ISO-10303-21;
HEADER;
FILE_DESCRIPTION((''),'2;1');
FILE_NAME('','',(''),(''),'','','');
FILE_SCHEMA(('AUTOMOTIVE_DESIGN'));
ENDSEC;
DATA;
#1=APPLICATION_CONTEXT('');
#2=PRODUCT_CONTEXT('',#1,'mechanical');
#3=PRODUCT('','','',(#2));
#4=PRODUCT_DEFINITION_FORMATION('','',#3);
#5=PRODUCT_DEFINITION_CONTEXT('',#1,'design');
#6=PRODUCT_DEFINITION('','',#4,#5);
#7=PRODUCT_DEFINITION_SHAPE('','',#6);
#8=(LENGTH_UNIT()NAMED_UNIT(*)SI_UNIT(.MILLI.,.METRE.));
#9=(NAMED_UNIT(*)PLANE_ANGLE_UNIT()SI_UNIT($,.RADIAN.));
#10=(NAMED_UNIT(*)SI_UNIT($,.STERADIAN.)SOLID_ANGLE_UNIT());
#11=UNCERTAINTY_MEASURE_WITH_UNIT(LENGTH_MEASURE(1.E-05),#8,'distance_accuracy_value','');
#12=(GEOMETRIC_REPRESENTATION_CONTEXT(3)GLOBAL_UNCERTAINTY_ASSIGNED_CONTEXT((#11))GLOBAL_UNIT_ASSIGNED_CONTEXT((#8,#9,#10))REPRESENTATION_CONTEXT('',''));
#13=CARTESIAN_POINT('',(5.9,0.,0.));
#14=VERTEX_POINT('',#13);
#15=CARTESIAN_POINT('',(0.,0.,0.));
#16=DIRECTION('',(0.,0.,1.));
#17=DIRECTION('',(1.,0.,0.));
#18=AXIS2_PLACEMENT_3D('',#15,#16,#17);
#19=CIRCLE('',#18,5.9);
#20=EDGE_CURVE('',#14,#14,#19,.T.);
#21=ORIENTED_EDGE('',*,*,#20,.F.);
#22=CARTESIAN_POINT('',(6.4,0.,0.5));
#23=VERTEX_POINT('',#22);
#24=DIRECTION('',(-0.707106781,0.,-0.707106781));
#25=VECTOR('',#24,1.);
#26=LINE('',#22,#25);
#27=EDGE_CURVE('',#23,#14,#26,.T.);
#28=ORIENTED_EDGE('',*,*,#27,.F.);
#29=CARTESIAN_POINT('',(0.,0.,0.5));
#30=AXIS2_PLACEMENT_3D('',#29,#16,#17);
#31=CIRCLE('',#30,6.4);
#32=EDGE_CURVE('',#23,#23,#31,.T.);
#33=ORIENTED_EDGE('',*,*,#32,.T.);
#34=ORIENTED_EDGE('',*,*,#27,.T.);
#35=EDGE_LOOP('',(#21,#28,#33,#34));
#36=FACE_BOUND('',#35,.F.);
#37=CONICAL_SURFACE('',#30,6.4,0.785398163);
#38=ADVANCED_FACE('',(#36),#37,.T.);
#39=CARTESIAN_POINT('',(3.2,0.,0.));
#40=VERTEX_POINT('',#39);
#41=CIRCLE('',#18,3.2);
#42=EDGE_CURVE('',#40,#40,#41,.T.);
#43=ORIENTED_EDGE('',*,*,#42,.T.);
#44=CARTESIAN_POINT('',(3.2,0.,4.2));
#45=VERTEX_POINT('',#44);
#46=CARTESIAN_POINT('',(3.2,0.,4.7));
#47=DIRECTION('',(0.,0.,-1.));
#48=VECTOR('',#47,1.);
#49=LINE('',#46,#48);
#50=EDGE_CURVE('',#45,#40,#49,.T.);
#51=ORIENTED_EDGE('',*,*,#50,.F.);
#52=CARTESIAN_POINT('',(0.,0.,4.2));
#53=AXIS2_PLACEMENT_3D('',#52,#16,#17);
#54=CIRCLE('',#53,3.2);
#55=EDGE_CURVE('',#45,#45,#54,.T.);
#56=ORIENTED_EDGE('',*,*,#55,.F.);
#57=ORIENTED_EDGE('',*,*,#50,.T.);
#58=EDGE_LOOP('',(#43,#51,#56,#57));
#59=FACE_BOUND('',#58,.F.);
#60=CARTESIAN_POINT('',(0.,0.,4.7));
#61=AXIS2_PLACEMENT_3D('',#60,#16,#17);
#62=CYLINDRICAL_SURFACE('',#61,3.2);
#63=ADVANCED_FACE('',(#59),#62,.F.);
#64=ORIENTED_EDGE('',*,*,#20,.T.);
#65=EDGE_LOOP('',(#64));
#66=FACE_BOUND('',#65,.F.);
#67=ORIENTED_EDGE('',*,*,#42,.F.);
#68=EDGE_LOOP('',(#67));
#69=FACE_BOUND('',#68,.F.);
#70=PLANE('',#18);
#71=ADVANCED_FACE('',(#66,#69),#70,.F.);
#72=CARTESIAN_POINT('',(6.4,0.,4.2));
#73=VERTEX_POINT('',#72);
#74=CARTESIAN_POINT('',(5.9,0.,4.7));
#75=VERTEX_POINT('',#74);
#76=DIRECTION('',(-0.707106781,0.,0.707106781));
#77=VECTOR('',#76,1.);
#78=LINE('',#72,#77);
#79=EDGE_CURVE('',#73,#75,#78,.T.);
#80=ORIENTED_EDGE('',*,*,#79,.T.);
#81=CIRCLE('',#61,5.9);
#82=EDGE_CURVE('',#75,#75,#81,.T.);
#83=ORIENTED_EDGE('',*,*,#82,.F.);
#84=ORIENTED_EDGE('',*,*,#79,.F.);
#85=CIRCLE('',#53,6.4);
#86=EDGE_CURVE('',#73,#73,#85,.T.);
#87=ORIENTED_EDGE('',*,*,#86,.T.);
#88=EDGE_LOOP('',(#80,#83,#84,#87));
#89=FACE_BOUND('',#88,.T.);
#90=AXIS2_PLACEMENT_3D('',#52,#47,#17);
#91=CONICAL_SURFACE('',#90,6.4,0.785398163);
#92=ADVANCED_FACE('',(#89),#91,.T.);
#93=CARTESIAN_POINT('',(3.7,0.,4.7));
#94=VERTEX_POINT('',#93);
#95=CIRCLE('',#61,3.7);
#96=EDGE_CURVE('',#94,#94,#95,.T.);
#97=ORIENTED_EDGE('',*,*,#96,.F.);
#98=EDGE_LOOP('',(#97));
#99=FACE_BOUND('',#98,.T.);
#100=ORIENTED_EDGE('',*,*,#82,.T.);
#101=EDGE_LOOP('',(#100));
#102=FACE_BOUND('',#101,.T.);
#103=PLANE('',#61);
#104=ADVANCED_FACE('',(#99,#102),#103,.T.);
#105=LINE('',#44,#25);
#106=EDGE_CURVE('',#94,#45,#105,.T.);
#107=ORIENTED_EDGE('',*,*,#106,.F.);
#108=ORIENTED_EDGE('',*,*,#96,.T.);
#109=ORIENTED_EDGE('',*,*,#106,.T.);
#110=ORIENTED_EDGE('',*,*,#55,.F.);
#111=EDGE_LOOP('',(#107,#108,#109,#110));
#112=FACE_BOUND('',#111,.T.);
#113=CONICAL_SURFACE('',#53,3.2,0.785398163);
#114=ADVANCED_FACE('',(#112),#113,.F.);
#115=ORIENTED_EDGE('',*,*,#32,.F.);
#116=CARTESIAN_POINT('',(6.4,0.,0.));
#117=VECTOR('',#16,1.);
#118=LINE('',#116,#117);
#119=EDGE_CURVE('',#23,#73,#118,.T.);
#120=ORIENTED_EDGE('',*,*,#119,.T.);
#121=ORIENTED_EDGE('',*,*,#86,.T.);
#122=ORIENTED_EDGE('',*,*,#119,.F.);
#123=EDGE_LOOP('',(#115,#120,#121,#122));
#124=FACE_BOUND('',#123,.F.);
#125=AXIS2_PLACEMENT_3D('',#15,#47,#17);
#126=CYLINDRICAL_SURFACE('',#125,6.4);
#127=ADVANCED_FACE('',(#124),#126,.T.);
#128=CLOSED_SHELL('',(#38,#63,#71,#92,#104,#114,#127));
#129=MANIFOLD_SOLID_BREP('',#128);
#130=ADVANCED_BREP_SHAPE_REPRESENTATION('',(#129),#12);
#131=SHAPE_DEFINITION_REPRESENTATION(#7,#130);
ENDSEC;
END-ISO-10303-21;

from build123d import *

# Parameters (mm, degrees)
F0_R     = 6.4
F1_DEPTH = 4.7
F2_R     = 3.2
F3_DEPTH = 25
F4_SIZE  = 0.5
F5_SIZE  = 0.5


with BuildPart() as f1:
    # F0 (on Top) → F1 (new body)
    with BuildSketch(Plane.XY):
        Circle(F0_R)
    extrude(amount=F1_DEPTH)

    # F2 (on face) → F3 (cut)
    with BuildSketch(Plane.XY.offset(4.7)):
        Circle(F2_R)
    extrude(amount=-F3_DEPTH, mode=Mode.SUBTRACT)

    # F4
    f4_edges = [f1.edges().sort_by_distance(p)[0] for p in [
        (-6.4, 0, 4.7),
        (-3.2, 0, 4.7),
    ]]
    chamfer(f4_edges, length=F4_SIZE)

    # F5
    f5_edges = [f1.edges().sort_by_distance(p)[0] for p in [
        (-6.4, 0, 0),
    ]]
    chamfer(f5_edges, length=F5_SIZE)


solid = f1.part
